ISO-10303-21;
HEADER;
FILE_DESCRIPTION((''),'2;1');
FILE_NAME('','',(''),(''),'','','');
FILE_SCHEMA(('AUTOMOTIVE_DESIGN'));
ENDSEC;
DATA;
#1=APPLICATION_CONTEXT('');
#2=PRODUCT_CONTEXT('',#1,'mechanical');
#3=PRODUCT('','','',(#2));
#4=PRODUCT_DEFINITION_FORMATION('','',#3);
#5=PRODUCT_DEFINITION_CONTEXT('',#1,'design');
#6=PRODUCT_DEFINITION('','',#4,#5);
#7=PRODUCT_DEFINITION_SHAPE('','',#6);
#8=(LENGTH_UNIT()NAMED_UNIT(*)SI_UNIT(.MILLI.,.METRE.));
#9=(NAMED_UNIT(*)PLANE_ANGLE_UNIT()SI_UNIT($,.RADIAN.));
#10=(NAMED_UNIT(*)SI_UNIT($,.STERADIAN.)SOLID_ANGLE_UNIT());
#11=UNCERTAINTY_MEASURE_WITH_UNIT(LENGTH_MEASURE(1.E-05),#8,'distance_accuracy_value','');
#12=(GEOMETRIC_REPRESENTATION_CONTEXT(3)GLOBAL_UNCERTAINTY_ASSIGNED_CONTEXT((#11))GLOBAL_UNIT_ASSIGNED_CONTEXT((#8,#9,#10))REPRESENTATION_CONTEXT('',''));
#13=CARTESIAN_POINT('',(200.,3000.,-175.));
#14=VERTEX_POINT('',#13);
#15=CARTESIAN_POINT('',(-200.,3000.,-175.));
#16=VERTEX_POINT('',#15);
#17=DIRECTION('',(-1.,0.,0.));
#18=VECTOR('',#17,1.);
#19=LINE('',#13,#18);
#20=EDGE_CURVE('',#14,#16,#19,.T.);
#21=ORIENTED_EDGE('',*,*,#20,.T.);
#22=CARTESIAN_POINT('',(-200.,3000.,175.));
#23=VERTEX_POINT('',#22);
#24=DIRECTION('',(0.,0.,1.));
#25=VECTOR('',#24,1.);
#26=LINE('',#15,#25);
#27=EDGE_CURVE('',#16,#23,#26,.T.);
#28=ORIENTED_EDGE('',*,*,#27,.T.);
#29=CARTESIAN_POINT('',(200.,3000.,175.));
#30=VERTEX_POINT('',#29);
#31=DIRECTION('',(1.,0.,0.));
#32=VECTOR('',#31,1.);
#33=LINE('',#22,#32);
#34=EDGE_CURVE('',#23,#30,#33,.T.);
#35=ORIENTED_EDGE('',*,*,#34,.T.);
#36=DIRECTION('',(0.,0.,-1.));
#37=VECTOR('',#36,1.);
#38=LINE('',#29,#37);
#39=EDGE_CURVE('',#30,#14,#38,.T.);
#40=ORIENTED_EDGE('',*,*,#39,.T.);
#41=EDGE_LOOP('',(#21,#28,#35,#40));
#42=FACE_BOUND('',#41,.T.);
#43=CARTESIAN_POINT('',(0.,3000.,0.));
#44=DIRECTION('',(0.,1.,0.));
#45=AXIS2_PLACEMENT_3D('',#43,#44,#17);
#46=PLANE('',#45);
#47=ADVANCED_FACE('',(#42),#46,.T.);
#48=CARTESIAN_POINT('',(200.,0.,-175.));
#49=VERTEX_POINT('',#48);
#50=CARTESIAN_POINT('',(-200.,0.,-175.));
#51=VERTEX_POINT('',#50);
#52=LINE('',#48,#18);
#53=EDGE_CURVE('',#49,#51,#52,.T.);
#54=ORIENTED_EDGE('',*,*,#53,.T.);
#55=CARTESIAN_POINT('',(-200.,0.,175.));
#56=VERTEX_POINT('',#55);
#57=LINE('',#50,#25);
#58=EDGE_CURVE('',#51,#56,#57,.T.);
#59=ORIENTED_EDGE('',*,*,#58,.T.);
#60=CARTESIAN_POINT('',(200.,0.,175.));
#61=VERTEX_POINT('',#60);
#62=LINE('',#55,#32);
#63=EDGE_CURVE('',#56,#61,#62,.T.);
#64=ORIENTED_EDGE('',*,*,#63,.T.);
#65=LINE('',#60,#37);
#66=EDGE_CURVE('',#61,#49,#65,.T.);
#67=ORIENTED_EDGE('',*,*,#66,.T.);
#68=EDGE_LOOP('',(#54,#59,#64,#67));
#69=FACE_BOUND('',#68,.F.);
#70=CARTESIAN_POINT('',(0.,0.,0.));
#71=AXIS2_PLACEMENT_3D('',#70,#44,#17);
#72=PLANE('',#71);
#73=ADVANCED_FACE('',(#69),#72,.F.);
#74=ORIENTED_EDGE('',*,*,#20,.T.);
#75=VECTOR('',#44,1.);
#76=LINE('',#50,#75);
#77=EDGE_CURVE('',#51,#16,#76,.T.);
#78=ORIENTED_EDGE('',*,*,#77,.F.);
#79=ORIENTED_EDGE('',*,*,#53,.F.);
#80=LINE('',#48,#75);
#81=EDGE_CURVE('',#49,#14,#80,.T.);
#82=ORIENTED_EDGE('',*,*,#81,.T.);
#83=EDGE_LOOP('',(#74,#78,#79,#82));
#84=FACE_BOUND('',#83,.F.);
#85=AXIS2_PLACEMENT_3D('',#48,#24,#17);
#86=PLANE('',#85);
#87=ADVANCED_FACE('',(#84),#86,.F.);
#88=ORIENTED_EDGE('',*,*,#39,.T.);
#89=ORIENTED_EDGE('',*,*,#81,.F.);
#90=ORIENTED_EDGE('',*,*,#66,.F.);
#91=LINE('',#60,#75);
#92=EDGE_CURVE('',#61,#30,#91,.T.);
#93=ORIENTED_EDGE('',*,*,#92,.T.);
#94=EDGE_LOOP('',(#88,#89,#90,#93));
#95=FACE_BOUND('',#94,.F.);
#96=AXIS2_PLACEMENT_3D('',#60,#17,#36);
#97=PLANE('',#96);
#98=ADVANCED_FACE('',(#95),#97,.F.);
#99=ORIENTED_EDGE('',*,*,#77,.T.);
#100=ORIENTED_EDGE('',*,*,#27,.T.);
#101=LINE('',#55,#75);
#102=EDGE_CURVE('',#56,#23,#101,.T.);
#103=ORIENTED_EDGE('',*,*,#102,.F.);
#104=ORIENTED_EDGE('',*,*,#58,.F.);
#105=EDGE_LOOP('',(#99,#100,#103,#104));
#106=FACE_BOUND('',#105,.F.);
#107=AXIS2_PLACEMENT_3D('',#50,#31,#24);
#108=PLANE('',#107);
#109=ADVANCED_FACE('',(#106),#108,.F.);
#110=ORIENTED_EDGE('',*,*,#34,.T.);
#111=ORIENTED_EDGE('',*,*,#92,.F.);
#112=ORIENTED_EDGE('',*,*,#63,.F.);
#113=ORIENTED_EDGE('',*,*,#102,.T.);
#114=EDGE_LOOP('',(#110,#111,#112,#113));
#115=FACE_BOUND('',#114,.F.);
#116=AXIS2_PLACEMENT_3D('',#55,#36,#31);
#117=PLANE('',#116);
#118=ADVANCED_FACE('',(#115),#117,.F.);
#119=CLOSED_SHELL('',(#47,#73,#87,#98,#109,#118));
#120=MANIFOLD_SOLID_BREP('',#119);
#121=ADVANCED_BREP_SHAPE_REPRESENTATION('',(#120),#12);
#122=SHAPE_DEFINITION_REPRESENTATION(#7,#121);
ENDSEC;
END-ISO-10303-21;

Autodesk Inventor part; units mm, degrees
ref_plane "YZ Plane" through (0, 0, 0) normal (1, 0, 0) x (0, 1, 0)
ref_plane "XZ Plane" through (0, 0, 0) normal (0, 1, 0) x (-1, 0, 0)
ref_plane "XY Plane" through (0, 0, 0) normal (0, 0, 1) x (1, 0, 0)
sketch "Sketch1" plane through (0, 0, 0) normal (0, 1, 0) x (-1, 0, 0)
  line L0 (200, 175) -> (-200, 175)
  line L1 (-200, 175) -> (-200, -175)
  line L2 (-200, -175) -> (200, -175)
  line L3 (200, -175) -> (200, 175)
  line L4 (200, 175) -> (-200, -175) construction
  line L5 (-200, 175) -> (200, -175) construction
  point P0 (0, 0)
  dimension "d0" = 400
  dimension "d1" = 350
extrude "Extrusion1" add sketch "Sketch1" along normal blind 3000
properties part number "support_column_02" material "Wood (Maple)"
